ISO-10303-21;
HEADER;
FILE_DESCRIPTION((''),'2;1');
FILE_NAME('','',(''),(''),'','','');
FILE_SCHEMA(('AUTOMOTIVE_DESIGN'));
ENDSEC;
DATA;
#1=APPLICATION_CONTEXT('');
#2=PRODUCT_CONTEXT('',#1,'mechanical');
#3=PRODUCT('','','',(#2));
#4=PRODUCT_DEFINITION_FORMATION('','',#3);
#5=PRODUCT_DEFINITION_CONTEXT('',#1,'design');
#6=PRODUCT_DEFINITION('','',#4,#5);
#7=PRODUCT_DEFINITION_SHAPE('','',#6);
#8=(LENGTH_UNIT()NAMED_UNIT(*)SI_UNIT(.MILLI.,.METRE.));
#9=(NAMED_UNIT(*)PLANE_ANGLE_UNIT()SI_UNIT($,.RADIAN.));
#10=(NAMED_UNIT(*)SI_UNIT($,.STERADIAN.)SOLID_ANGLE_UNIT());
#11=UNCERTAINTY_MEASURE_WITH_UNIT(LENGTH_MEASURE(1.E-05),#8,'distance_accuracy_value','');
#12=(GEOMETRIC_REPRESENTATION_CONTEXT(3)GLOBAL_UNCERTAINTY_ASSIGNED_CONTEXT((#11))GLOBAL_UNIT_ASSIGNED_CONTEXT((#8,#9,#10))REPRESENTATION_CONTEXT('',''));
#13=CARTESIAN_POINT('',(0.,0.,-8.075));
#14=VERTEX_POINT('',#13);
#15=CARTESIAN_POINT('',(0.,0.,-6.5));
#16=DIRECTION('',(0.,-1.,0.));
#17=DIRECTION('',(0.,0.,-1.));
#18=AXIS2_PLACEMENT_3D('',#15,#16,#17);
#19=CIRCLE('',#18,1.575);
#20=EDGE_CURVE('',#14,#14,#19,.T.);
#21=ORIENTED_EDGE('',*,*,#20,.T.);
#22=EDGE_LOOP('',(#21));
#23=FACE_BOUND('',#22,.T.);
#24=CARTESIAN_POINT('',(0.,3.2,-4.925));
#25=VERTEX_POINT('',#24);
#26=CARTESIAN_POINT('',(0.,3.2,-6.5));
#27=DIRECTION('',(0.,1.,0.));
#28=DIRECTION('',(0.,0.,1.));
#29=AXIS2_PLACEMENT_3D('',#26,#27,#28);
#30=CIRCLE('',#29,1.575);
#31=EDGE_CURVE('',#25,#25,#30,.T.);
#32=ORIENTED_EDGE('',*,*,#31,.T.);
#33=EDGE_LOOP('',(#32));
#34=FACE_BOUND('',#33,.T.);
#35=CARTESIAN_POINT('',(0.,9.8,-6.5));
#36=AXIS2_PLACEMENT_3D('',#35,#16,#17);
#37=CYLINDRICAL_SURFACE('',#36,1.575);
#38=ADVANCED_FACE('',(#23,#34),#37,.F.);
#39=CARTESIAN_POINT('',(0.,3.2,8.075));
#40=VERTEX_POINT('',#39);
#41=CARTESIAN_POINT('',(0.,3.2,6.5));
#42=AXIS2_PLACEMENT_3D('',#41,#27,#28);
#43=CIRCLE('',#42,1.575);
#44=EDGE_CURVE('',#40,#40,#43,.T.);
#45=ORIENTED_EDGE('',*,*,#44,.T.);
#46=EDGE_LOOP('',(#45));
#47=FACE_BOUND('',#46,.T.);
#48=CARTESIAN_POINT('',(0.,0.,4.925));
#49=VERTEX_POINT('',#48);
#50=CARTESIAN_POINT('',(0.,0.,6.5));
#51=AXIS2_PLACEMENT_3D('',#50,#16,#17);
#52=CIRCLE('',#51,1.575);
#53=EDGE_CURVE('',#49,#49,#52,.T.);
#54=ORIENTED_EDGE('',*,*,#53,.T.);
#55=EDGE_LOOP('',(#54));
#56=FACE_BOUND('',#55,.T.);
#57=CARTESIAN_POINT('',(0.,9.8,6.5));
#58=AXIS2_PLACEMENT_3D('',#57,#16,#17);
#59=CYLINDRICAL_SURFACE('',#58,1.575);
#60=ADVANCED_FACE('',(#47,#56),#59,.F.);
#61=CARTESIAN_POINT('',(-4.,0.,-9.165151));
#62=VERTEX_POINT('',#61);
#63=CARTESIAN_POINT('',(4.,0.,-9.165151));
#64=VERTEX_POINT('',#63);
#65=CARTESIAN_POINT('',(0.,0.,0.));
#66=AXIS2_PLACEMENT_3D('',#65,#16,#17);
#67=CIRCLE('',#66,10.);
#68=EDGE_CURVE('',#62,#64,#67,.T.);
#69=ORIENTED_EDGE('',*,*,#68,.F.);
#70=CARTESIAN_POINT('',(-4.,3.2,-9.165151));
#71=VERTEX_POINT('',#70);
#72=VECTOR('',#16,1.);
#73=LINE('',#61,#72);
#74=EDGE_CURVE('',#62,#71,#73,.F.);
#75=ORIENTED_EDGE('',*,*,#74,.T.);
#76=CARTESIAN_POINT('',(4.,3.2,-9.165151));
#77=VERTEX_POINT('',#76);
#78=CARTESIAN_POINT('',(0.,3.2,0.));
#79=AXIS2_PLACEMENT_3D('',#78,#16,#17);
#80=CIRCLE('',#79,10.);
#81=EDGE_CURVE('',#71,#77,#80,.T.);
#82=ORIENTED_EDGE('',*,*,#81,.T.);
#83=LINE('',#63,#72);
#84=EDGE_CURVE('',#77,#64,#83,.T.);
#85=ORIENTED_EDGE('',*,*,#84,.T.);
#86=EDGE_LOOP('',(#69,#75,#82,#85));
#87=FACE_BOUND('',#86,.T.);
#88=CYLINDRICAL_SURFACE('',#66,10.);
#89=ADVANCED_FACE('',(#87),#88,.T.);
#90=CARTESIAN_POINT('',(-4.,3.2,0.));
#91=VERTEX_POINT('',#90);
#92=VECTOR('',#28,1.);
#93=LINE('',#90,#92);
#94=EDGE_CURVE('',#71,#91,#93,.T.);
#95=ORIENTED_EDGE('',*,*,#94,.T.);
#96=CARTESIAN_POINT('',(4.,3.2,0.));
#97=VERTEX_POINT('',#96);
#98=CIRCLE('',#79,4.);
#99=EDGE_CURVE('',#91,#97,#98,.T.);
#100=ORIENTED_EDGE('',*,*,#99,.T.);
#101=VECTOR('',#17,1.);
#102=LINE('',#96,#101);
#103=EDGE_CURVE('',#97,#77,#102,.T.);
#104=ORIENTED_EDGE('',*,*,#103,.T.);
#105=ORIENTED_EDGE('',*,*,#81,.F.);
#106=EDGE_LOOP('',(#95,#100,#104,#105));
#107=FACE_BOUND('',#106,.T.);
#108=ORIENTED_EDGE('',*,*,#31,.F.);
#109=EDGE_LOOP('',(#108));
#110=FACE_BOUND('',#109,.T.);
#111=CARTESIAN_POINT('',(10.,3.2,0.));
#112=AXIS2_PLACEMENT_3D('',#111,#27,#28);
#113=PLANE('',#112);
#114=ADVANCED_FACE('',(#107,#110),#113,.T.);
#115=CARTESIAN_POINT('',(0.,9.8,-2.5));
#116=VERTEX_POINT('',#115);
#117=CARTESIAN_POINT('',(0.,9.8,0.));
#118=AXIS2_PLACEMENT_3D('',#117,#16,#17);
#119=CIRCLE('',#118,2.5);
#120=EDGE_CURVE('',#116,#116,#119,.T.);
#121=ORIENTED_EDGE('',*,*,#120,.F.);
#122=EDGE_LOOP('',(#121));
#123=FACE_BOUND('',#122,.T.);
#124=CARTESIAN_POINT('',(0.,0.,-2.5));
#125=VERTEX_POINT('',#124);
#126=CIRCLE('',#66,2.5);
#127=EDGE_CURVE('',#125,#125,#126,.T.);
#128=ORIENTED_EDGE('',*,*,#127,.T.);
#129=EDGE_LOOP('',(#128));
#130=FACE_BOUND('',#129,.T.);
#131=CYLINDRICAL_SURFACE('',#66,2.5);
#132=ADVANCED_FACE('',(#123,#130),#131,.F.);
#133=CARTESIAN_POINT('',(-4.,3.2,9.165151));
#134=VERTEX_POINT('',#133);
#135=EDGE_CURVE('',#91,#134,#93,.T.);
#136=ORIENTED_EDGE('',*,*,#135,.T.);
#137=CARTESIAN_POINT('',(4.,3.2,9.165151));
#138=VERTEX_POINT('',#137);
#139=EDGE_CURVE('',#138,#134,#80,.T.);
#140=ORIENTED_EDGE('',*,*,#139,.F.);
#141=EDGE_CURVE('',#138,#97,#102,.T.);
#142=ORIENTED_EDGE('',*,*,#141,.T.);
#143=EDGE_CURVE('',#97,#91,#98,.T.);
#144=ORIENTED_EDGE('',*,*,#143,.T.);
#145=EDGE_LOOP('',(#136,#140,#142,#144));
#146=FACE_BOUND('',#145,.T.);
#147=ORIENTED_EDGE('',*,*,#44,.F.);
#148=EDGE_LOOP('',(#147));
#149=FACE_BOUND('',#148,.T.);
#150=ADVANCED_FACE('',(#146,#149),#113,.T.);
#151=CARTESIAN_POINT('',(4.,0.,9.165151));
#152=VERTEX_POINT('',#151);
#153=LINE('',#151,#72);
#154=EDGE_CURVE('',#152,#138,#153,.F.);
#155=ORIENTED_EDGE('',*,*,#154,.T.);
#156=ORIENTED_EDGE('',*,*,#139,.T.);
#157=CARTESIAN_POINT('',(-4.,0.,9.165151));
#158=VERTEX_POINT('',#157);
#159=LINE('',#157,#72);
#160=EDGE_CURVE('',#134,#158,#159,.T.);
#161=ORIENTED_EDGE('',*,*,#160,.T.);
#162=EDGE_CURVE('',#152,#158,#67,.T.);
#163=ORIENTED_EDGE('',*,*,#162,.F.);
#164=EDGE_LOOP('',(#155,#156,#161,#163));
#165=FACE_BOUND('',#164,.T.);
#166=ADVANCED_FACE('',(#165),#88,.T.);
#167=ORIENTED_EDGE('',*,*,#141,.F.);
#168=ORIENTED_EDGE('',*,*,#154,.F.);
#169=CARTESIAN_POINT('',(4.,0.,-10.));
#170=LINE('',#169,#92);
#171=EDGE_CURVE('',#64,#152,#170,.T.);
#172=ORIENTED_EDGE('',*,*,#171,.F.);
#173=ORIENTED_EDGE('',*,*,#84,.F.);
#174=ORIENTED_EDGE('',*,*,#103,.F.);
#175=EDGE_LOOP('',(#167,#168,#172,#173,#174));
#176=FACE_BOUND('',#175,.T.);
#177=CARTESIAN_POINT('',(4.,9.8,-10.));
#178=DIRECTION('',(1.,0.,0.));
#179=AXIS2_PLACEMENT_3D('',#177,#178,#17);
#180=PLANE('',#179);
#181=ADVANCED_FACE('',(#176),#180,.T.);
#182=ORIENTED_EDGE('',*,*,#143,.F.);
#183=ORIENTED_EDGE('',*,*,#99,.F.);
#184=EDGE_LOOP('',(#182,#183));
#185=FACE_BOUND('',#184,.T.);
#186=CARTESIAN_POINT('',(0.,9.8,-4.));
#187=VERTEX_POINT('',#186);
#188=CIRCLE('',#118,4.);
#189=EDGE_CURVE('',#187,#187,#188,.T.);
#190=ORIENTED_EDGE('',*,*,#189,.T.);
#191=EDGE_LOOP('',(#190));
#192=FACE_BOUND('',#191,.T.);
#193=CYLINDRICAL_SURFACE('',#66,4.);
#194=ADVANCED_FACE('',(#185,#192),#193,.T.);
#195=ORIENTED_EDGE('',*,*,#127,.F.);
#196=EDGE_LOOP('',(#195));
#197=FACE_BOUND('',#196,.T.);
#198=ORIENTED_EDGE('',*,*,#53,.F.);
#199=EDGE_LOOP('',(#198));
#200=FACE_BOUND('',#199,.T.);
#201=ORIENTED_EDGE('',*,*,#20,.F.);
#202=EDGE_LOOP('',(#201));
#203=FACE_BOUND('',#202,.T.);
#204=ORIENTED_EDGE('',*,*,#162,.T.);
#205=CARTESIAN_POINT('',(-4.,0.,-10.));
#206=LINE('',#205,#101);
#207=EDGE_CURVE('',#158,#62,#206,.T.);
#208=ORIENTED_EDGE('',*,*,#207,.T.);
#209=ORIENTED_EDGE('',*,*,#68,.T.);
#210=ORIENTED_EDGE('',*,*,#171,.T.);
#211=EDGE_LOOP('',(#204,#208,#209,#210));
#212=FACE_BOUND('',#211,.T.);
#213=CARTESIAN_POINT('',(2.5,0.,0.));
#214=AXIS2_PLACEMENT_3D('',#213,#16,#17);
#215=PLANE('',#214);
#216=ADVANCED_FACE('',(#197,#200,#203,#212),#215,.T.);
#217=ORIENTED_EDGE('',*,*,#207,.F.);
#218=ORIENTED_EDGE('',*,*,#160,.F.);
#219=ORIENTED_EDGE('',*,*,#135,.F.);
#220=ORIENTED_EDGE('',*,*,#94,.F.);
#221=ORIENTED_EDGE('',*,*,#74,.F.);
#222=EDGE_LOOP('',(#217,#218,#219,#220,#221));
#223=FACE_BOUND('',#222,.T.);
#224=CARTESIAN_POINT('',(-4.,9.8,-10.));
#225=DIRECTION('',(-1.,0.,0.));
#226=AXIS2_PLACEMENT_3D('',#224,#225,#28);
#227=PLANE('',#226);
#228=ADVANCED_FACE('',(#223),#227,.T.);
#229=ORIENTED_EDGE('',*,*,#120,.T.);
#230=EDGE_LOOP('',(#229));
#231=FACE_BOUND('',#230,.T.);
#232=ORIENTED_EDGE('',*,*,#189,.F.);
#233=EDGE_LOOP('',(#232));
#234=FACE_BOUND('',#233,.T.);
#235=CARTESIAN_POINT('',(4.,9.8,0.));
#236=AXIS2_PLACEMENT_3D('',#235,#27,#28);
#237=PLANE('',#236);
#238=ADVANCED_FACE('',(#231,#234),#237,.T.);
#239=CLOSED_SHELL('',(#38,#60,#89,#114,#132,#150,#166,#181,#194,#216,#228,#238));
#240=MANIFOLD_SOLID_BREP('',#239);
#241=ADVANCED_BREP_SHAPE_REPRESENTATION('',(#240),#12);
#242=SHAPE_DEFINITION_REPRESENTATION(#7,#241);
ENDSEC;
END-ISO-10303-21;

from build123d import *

# Parameters (mm, degrees)
ESQUISSE2_R             = 1.575
ENL_V_MAT_EXTRU_1_DEPTH = 18.205812971
ESQUISSE3_OUTSIDE_W     = 27.986
ESQUISSE3_OUTSIDE_H     = 27.986
ESQUISSE3_OUTSIDE_W_2   = 8
ESQUISSE3_OUTSIDE_H_2   = 20
ENL_V_MAT_EXTRU_2_DEPTH = 18.205812971


with BuildPart() as part:
    # Esquisse1 → Révolution1 (revolve)
    with BuildSketch(Plane.XY, mode=Mode.PRIVATE) as r_volution1_sk:
        Polygon((2.5, 0), (10, 0), (10, 3.2), (4, 3.2), (4, 9.8), (2.5, 9.8), align=None)
    revolve(r_volution1_sk.sketch.rotate(Axis((0, 0, 0), (0, 1, 0)), 90), axis=Axis((0, 0, 0), (0, 1, 0)))

    # Esquisse2 → Enlèv. mat.-Extru.1 (cut, through all)
    with BuildSketch(Plane.XZ):
        with Locations(Location((0, 6.5, 0), (0, 0, 270))):
            Circle(ESQUISSE2_R)
        with Locations(Location((5.629165125, -3.25, 0), (0, 0, 270))):
            Circle(ESQUISSE2_R)
        with Locations(Location((-5.629165125, -3.25, 0), (0, 0, 270))):
            Circle(ESQUISSE2_R)
        with Locations(Location((0, -6.5, 0), (0, 0, 270))):
            Circle(ESQUISSE2_R)
    extrude(amount=-ENL_V_MAT_EXTRU_1_DEPTH, mode=Mode.SUBTRACT)

    # Esquisse3 outside → Enlèv. mat.-Extru.2 (cut, through all)
    with BuildSketch(Plane.XZ):
        Rectangle(ESQUISSE3_OUTSIDE_W, ESQUISSE3_OUTSIDE_H)
        Rectangle(ESQUISSE3_OUTSIDE_W_2, ESQUISSE3_OUTSIDE_H_2, mode=Mode.SUBTRACT)
    extrude(amount=-ENL_V_MAT_EXTRU_2_DEPTH, mode=Mode.SUBTRACT)


solid = part.part
